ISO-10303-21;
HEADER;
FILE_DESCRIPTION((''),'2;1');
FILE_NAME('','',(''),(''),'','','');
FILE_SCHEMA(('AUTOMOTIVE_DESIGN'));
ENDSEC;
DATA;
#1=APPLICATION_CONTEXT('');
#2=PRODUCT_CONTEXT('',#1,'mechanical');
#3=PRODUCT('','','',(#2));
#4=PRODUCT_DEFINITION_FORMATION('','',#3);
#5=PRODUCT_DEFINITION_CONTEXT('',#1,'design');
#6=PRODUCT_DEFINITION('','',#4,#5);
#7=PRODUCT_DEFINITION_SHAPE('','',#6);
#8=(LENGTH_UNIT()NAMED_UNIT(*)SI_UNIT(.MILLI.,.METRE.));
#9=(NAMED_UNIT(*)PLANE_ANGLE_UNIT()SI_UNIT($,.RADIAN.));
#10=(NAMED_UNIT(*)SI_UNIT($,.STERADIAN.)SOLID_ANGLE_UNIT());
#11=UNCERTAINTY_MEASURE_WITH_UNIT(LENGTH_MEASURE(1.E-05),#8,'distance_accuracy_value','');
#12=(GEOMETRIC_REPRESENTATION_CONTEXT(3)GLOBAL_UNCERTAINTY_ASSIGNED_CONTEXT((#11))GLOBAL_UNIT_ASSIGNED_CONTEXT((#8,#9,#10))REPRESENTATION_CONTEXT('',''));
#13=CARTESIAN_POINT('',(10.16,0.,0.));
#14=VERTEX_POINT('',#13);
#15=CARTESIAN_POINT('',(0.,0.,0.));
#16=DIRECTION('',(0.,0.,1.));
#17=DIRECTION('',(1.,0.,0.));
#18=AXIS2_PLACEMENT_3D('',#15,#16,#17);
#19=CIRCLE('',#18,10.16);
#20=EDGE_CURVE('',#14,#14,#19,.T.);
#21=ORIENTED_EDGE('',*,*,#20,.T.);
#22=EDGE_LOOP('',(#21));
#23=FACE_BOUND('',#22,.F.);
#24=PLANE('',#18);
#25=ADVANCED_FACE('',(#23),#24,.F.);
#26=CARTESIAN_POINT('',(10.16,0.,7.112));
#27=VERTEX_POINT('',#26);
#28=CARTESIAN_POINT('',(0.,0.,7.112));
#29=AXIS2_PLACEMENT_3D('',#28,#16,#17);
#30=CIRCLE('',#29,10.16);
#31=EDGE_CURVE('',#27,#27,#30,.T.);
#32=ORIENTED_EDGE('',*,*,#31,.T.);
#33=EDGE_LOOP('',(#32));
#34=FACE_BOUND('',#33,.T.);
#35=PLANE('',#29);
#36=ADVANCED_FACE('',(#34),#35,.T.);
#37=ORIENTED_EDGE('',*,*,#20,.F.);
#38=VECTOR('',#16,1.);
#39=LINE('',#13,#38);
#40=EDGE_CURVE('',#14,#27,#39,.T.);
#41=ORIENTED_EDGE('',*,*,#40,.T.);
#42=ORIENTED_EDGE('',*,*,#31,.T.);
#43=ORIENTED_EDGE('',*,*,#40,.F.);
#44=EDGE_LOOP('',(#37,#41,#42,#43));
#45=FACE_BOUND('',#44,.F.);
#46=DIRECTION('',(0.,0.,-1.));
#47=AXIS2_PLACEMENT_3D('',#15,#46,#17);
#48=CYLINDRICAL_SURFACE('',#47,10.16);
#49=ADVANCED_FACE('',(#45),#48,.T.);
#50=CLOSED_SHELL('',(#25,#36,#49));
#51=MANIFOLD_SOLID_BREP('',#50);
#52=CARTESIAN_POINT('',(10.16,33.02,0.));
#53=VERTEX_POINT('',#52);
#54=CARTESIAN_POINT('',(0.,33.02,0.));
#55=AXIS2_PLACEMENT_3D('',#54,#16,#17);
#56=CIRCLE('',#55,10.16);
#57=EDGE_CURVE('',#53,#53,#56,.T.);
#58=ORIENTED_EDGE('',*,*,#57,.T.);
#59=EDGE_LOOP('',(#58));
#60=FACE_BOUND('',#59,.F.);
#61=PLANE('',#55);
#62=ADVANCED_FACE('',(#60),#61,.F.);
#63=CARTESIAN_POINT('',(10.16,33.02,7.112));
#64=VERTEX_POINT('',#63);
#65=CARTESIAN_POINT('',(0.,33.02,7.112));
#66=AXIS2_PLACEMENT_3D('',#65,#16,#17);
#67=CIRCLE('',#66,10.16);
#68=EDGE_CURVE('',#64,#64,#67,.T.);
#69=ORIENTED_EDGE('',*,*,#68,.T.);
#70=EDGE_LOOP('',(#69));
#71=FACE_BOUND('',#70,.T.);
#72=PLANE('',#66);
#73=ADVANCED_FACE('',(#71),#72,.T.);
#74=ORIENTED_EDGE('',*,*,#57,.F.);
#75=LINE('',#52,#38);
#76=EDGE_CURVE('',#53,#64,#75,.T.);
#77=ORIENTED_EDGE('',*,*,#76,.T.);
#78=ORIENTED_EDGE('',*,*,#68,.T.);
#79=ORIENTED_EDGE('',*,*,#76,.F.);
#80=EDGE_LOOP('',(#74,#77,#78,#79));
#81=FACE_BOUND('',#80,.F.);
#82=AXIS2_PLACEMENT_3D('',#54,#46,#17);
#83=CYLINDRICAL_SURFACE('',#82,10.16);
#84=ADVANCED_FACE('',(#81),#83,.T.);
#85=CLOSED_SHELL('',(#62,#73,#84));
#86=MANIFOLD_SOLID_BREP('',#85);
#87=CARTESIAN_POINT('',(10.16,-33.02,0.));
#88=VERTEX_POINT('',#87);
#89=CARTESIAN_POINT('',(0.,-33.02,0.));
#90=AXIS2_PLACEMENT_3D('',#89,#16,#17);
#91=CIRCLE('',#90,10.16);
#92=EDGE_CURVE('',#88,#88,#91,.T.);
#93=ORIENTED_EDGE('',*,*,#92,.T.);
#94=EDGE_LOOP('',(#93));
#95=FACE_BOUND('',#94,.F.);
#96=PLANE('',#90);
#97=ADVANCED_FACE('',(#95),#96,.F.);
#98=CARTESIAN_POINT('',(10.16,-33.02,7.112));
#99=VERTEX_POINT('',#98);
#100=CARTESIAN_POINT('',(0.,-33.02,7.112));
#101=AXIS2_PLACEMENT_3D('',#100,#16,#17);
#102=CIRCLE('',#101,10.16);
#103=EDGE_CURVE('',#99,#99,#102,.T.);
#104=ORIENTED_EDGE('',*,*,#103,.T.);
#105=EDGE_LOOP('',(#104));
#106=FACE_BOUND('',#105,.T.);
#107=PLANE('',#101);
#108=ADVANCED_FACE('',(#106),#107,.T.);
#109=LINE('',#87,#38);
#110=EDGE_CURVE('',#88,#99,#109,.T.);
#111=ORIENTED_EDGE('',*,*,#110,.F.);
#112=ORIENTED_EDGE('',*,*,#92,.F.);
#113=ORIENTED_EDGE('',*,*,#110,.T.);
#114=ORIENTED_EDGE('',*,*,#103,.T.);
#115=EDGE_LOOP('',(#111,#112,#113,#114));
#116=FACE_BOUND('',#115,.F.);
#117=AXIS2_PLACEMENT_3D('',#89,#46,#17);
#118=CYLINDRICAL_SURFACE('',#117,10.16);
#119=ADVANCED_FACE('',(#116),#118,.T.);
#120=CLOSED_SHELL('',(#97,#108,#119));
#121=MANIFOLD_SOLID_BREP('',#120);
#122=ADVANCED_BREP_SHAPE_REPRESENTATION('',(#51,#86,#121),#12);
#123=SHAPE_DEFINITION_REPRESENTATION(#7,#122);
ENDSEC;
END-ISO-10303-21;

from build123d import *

# Parameters (mm, degrees)
F0_R     = 10.16
F1_R     = 10.16
F2_DEPTH = 7.112


with BuildPart() as f2:
    # F0 (on Top) + F1 (on Top) → F2 (new body)
    with BuildSketch(Plane.XY):
        with Locations((0, 33.02)):
            Circle(F0_R)
        with Locations((0, -33.02)):
            Circle(F0_R)
    with BuildSketch(Plane.XY):
        Circle(F1_R)
    extrude(amount=F2_DEPTH)


solid = f2.part
